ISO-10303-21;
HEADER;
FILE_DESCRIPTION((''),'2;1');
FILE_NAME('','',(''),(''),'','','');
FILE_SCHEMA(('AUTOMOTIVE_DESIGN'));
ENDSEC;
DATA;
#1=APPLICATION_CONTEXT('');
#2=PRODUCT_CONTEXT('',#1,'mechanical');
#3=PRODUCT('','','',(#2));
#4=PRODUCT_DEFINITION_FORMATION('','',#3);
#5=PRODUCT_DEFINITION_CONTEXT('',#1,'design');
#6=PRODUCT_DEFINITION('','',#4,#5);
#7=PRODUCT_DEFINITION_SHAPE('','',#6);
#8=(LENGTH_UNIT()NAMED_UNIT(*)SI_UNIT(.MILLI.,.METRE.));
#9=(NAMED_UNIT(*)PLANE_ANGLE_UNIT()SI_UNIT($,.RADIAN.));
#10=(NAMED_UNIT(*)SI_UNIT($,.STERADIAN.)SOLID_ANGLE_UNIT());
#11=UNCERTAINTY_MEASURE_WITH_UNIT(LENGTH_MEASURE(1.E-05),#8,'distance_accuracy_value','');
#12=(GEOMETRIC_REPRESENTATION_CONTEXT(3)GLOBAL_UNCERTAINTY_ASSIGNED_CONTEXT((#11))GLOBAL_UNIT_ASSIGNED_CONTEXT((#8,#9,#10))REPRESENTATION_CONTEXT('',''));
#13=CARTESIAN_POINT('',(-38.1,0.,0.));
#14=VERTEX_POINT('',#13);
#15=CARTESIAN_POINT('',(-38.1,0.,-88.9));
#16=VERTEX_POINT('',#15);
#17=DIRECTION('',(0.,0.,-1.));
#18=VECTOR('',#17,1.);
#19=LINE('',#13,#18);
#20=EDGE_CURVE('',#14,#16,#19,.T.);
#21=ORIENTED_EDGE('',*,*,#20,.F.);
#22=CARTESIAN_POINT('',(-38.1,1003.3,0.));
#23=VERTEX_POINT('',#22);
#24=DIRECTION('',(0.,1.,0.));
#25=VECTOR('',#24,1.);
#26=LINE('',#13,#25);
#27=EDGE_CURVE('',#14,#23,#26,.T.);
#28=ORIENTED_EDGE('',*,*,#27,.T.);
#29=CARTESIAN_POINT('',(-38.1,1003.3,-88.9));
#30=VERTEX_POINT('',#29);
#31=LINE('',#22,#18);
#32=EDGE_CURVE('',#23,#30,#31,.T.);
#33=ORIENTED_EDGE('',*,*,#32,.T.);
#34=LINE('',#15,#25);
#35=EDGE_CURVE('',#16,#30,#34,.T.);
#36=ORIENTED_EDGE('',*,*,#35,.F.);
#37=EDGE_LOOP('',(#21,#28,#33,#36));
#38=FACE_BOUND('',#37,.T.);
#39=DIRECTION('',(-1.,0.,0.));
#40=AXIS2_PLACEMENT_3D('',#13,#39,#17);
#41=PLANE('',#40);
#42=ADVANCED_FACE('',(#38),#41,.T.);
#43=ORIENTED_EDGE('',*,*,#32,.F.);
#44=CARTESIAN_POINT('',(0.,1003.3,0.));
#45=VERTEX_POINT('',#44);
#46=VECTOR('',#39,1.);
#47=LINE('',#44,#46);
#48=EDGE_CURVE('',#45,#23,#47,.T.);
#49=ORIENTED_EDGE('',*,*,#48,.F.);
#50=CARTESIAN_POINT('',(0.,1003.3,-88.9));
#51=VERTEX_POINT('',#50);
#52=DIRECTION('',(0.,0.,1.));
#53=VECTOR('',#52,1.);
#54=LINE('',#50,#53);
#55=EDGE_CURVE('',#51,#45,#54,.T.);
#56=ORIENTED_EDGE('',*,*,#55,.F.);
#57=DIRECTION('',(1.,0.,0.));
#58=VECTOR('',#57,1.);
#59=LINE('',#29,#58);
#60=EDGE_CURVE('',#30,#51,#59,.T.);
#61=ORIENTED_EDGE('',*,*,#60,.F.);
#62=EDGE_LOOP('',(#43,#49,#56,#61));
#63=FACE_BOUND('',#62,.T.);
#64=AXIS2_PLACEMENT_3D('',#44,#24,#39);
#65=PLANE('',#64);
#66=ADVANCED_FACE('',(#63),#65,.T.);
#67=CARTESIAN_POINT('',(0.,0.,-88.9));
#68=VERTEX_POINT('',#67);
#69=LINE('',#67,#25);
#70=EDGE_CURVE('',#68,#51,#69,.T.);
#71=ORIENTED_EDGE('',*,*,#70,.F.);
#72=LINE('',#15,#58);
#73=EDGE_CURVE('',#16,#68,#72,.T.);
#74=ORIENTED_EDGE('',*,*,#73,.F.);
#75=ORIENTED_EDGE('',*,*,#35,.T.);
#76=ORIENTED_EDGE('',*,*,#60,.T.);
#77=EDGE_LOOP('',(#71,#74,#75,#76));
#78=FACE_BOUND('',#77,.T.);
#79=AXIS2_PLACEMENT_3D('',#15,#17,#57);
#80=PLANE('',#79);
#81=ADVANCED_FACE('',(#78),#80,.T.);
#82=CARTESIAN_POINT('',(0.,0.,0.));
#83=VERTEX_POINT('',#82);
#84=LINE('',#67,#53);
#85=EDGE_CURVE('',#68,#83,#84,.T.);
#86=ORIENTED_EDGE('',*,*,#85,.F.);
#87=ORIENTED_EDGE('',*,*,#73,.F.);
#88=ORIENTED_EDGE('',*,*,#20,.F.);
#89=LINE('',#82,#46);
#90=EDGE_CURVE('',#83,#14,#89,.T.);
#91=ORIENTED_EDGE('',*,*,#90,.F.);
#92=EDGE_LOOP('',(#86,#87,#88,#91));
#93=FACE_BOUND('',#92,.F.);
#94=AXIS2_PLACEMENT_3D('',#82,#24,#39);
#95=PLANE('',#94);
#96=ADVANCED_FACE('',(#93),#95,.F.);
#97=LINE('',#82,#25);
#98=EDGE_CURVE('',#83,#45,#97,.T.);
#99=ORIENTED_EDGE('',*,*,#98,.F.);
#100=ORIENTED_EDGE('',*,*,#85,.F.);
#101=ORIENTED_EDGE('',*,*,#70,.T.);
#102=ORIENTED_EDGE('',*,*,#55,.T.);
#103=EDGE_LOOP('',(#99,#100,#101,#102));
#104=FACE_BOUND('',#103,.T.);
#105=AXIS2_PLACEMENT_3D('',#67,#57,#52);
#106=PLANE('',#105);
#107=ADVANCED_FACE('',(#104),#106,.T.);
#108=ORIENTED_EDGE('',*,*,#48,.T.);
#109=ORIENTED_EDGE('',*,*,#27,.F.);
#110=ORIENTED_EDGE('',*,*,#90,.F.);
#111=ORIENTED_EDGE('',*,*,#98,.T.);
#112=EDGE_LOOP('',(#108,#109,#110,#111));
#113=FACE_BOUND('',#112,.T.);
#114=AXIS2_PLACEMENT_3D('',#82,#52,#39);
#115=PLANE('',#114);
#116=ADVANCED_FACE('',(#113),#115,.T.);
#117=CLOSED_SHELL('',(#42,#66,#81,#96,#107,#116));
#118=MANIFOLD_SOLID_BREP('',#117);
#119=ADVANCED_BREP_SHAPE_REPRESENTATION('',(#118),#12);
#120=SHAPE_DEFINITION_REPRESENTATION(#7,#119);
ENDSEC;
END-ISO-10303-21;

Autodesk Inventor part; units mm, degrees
ref_plane "YZ Plane" through (0, 0, 0) normal (1, 0, 0) x (0, 1, 0)
ref_plane "XZ Plane" through (0, 0, 0) normal (0, 1, 0) x (-1, 0, 0)
ref_plane "XY Plane" through (0, 0, 0) normal (0, 0, 1) x (1, 0, 0)
sketch "Sketch1" plane through (0, 0, 0) normal (0, 1, 0) x (-1, 0, 0)
  line L0 (0, 0) -> (38.1, 0)
  line L1 (38.1, 0) -> (38.1, -88.9)
  line L2 (38.1, -88.9) -> (0, -88.9)
  line L3 (0, -88.9) -> (0, 0)
  dimension "d0" = 88.9
  dimension "d1" = 38.1
extrude "Extrusion1" add sketch "Sketch1" along normal blind 1003.3
properties part number "Stud_With_Height_42.5_Inches" material "Wood (Birch)"
